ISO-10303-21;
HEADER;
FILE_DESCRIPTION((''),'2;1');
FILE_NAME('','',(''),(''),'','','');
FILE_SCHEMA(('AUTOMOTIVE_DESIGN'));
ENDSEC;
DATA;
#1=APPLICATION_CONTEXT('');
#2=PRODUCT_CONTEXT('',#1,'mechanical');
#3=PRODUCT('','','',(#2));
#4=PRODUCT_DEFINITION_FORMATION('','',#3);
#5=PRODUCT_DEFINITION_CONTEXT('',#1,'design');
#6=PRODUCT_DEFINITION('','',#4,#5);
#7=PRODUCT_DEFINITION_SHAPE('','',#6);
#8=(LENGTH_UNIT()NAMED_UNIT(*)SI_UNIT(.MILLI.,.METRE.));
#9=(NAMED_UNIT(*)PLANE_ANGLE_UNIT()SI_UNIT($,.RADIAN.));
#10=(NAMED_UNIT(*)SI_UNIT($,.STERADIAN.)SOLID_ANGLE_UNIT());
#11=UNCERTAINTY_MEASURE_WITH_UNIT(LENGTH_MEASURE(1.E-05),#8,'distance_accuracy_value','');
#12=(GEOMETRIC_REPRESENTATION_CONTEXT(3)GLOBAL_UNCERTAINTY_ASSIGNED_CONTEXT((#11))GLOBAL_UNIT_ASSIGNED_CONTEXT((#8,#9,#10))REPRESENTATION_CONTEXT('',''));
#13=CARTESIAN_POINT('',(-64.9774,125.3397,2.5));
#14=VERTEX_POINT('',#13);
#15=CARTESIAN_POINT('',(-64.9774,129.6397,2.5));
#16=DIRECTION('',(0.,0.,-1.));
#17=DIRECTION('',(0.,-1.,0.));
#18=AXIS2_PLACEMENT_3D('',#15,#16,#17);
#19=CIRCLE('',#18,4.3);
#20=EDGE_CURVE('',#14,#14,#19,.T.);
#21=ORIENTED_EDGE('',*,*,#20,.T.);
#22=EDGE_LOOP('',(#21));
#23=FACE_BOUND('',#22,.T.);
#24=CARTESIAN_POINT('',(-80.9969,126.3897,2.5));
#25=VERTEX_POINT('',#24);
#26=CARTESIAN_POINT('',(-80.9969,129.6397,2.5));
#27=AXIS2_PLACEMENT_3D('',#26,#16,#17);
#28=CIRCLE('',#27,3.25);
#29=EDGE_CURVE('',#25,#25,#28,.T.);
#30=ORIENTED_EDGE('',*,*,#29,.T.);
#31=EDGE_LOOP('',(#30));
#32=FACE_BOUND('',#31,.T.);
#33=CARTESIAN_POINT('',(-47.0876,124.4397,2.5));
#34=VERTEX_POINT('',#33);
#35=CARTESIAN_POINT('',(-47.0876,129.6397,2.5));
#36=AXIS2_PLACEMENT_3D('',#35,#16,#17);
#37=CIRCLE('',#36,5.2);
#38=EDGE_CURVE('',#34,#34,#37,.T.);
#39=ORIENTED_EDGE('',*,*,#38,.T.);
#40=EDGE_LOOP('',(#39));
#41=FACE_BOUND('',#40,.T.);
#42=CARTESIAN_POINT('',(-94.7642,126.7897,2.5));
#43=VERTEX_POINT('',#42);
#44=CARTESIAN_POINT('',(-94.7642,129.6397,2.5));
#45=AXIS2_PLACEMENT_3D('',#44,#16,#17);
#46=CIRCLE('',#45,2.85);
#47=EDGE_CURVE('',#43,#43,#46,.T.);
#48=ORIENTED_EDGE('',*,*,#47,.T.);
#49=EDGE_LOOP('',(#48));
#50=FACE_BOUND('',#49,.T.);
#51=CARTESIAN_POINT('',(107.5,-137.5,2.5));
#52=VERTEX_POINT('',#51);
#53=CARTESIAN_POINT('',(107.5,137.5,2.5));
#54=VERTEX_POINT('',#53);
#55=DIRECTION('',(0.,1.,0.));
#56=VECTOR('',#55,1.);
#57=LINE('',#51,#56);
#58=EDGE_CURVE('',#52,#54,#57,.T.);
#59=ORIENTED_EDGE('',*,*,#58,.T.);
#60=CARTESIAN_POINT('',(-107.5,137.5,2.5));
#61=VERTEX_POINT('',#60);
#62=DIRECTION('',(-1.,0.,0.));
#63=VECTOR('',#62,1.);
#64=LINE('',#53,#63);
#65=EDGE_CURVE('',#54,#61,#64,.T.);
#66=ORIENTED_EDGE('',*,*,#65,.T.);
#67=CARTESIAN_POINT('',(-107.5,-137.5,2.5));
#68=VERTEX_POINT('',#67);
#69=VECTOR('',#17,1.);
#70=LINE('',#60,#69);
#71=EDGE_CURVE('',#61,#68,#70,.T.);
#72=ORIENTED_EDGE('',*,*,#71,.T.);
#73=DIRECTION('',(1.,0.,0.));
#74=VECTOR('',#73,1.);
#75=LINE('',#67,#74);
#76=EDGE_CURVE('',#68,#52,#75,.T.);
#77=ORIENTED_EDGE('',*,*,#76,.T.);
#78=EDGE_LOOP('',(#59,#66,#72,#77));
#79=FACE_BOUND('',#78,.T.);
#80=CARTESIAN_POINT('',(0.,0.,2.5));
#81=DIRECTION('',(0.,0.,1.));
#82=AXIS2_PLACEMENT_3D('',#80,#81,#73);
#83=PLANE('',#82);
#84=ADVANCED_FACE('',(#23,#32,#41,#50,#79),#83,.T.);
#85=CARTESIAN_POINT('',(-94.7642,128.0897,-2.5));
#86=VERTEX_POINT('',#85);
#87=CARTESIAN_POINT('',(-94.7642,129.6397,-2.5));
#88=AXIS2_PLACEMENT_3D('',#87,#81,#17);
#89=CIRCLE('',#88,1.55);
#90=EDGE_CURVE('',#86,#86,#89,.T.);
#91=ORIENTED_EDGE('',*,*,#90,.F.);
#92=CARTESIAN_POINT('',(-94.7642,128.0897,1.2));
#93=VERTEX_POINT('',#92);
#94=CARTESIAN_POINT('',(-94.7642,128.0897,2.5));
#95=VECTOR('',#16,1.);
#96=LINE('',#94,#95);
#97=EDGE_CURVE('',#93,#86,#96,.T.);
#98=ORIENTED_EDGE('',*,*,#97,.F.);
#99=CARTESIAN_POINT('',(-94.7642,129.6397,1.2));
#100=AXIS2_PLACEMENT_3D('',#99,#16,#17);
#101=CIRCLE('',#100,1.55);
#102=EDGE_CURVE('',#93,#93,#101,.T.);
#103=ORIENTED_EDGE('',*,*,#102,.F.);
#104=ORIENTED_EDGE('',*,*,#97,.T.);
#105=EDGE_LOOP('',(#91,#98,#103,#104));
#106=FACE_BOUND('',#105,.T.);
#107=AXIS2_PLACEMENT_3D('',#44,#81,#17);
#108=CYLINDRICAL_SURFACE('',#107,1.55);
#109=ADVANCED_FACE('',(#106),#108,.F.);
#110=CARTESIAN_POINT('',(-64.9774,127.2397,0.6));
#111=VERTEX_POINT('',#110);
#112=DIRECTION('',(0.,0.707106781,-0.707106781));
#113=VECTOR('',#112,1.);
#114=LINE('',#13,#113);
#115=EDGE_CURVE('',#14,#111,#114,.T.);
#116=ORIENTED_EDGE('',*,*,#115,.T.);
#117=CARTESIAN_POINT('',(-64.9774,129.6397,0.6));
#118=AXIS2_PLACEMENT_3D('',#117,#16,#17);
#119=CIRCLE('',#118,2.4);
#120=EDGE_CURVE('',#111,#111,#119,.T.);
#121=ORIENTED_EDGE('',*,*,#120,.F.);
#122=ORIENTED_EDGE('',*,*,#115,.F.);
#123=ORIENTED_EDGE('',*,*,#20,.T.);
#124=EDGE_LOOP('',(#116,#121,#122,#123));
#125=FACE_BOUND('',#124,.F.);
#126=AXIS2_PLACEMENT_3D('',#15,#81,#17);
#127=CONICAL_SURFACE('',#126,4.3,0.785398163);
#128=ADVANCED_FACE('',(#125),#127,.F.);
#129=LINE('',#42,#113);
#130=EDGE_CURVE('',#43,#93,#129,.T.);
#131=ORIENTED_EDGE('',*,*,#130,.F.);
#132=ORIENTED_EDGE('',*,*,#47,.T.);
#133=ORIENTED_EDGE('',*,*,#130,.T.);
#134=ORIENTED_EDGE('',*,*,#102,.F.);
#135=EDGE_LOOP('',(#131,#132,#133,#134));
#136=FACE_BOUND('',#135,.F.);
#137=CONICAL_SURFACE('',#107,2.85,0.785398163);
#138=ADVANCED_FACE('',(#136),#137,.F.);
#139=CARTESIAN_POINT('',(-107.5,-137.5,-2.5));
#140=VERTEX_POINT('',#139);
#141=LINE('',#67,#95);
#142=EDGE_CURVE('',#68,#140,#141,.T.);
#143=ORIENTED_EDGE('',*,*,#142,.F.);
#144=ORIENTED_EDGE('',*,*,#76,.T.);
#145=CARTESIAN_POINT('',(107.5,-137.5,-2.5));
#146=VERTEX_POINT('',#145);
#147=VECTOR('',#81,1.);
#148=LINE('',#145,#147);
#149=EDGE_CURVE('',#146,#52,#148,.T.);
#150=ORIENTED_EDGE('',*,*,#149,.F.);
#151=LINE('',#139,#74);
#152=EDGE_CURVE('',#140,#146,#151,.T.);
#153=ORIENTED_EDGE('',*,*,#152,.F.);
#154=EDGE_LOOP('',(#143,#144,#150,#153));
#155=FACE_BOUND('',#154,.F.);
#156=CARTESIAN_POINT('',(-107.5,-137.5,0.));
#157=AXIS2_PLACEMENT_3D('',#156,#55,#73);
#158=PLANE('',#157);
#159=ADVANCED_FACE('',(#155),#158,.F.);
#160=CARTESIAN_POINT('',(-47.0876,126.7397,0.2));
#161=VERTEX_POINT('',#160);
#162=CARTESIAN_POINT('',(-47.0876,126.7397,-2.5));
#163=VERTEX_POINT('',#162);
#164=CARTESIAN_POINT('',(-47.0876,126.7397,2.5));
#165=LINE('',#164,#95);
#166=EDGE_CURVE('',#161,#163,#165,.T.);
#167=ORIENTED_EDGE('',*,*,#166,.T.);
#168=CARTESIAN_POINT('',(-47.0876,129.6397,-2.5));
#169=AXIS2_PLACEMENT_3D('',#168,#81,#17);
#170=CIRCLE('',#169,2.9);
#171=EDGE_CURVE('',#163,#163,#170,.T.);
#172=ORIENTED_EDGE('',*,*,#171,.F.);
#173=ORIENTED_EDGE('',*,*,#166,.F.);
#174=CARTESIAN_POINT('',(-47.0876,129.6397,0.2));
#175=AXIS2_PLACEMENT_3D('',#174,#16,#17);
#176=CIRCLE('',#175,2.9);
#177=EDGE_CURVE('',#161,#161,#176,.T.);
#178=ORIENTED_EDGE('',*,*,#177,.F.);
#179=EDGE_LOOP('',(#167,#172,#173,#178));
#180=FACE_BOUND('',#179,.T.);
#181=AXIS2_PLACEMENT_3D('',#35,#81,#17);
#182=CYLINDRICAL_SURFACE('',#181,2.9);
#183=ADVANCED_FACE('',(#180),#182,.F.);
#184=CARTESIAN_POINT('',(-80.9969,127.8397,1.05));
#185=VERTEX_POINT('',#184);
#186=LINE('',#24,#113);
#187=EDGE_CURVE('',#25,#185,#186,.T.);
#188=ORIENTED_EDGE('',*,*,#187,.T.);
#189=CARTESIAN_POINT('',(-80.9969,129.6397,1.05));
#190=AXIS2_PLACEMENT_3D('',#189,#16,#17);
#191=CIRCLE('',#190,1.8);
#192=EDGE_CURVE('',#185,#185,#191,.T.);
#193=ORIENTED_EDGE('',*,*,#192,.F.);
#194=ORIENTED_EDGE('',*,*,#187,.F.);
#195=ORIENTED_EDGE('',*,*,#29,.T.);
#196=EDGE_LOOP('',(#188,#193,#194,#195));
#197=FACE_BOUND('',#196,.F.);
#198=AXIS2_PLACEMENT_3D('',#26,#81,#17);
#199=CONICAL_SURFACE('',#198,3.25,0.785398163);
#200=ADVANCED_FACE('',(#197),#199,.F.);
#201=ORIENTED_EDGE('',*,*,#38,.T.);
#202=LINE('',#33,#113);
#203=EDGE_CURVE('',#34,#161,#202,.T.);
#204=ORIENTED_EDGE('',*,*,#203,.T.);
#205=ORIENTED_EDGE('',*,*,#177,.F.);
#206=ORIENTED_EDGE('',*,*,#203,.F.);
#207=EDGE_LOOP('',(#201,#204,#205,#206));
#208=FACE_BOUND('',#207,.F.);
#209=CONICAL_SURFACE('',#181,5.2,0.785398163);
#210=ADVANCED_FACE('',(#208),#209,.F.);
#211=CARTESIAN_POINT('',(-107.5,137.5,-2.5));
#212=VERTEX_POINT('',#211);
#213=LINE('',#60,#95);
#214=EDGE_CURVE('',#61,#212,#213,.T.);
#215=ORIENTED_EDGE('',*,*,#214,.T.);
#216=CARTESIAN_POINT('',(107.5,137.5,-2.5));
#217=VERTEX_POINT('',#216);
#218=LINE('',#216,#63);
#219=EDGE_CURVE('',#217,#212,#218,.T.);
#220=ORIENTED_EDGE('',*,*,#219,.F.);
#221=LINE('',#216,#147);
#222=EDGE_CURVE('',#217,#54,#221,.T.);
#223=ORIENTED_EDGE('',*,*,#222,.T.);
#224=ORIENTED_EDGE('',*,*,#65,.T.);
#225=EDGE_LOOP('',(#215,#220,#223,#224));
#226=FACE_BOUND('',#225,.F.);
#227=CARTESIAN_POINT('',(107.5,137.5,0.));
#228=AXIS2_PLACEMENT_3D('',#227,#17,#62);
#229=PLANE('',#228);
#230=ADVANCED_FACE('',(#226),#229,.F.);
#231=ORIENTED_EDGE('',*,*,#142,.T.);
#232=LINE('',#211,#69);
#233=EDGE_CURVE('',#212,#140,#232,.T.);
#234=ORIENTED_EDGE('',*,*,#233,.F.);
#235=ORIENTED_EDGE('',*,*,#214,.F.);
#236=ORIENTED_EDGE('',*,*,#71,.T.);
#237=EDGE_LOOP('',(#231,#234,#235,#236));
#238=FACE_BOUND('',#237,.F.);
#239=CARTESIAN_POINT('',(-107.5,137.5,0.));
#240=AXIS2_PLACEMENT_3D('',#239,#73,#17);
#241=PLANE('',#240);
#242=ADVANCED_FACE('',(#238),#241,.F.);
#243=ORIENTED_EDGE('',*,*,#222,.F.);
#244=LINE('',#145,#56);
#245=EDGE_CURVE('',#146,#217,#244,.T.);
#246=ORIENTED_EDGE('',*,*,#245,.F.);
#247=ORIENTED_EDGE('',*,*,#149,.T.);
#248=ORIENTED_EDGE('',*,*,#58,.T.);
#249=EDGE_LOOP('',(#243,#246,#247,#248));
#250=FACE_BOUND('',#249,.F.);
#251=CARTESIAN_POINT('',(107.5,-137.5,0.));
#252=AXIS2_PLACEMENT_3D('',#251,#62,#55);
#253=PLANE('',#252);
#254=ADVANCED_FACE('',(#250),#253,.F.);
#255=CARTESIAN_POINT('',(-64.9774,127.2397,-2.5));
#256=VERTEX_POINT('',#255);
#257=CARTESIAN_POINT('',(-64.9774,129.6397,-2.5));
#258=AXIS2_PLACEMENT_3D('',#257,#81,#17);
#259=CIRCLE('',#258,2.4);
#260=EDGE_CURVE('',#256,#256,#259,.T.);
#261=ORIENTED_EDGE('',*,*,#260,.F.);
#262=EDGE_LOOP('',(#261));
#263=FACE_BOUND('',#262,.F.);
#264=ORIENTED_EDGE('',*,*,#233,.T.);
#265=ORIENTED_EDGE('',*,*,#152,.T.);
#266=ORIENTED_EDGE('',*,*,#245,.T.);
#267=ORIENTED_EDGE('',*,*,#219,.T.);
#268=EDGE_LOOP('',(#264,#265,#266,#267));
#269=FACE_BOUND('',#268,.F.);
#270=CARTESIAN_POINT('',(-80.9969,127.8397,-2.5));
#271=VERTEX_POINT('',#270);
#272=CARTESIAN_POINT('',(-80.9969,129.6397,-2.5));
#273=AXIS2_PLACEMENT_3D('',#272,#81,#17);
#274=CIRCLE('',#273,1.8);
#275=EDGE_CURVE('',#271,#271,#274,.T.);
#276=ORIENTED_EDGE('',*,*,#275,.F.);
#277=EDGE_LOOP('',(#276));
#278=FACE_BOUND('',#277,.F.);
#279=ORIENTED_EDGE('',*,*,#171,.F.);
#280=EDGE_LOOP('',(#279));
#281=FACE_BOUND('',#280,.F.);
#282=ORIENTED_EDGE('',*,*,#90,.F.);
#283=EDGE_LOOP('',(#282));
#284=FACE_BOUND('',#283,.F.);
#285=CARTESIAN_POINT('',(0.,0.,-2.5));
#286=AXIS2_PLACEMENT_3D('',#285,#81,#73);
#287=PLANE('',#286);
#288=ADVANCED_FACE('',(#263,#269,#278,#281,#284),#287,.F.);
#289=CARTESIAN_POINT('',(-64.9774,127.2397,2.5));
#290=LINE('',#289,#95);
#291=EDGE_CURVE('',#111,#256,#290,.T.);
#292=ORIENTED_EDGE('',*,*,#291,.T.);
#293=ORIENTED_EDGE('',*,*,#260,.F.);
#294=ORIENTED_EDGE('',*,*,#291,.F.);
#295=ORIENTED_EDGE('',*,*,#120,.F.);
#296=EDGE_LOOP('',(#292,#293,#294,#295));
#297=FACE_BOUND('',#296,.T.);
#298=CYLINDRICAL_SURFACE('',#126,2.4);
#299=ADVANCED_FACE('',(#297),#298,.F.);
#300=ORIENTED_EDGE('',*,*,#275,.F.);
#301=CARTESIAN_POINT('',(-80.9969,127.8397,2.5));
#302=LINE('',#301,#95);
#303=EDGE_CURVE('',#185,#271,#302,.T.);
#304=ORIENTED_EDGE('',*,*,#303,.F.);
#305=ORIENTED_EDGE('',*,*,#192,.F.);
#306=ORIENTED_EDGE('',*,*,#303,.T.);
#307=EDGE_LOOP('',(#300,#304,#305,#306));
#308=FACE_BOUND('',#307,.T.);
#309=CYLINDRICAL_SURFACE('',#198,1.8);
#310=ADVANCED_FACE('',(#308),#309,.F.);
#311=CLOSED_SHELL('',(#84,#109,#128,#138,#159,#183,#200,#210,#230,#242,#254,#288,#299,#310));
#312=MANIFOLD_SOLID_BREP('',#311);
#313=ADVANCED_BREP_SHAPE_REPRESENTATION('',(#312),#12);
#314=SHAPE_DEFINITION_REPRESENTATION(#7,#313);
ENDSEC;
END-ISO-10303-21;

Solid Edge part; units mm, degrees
sketch "Sketch1" plane through (0, 0, 0) normal (0, 0, 1) x (1, 0, 0)
  line L0 (-107.5, -137.5) -> (107.5, -137.5)
  line L1 (107.5, -137.5) -> (107.5, 137.5)
  line L2 (107.5, 137.5) -> (-107.5, 137.5)
  line L3 (-107.5, 137.5) -> (-107.5, -137.5)
  dimension "D1" = 215
  dimension "D2" = 275
extrude "Protrusion1" add sketch "Sketch1" along normal mid plane 5
hole "Bohrung_1" at (-94.7642, 129.6397, 2.5) direction (0, 0, -1) diameter 3.1 end up to next countersink diameter 5.7 countersink angle 90
hole "Bohrung_2" at (-80.9969, 129.6397, 2.5) direction (0, 0, -1) diameter 3.6 end up to next countersink diameter 6.5 countersink angle 90
hole "Bohrung_3" at (-64.9774, 129.6397, 2.5) direction (0, 0, -1) diameter 4.8 end up to next countersink diameter 8.6 countersink angle 90
hole "Bohrung_4" at (-47.0876, 129.6397, 2.5) direction (0, 0, -1) diameter 5.8 end up to next countersink diameter 10.4 countersink angle 90
